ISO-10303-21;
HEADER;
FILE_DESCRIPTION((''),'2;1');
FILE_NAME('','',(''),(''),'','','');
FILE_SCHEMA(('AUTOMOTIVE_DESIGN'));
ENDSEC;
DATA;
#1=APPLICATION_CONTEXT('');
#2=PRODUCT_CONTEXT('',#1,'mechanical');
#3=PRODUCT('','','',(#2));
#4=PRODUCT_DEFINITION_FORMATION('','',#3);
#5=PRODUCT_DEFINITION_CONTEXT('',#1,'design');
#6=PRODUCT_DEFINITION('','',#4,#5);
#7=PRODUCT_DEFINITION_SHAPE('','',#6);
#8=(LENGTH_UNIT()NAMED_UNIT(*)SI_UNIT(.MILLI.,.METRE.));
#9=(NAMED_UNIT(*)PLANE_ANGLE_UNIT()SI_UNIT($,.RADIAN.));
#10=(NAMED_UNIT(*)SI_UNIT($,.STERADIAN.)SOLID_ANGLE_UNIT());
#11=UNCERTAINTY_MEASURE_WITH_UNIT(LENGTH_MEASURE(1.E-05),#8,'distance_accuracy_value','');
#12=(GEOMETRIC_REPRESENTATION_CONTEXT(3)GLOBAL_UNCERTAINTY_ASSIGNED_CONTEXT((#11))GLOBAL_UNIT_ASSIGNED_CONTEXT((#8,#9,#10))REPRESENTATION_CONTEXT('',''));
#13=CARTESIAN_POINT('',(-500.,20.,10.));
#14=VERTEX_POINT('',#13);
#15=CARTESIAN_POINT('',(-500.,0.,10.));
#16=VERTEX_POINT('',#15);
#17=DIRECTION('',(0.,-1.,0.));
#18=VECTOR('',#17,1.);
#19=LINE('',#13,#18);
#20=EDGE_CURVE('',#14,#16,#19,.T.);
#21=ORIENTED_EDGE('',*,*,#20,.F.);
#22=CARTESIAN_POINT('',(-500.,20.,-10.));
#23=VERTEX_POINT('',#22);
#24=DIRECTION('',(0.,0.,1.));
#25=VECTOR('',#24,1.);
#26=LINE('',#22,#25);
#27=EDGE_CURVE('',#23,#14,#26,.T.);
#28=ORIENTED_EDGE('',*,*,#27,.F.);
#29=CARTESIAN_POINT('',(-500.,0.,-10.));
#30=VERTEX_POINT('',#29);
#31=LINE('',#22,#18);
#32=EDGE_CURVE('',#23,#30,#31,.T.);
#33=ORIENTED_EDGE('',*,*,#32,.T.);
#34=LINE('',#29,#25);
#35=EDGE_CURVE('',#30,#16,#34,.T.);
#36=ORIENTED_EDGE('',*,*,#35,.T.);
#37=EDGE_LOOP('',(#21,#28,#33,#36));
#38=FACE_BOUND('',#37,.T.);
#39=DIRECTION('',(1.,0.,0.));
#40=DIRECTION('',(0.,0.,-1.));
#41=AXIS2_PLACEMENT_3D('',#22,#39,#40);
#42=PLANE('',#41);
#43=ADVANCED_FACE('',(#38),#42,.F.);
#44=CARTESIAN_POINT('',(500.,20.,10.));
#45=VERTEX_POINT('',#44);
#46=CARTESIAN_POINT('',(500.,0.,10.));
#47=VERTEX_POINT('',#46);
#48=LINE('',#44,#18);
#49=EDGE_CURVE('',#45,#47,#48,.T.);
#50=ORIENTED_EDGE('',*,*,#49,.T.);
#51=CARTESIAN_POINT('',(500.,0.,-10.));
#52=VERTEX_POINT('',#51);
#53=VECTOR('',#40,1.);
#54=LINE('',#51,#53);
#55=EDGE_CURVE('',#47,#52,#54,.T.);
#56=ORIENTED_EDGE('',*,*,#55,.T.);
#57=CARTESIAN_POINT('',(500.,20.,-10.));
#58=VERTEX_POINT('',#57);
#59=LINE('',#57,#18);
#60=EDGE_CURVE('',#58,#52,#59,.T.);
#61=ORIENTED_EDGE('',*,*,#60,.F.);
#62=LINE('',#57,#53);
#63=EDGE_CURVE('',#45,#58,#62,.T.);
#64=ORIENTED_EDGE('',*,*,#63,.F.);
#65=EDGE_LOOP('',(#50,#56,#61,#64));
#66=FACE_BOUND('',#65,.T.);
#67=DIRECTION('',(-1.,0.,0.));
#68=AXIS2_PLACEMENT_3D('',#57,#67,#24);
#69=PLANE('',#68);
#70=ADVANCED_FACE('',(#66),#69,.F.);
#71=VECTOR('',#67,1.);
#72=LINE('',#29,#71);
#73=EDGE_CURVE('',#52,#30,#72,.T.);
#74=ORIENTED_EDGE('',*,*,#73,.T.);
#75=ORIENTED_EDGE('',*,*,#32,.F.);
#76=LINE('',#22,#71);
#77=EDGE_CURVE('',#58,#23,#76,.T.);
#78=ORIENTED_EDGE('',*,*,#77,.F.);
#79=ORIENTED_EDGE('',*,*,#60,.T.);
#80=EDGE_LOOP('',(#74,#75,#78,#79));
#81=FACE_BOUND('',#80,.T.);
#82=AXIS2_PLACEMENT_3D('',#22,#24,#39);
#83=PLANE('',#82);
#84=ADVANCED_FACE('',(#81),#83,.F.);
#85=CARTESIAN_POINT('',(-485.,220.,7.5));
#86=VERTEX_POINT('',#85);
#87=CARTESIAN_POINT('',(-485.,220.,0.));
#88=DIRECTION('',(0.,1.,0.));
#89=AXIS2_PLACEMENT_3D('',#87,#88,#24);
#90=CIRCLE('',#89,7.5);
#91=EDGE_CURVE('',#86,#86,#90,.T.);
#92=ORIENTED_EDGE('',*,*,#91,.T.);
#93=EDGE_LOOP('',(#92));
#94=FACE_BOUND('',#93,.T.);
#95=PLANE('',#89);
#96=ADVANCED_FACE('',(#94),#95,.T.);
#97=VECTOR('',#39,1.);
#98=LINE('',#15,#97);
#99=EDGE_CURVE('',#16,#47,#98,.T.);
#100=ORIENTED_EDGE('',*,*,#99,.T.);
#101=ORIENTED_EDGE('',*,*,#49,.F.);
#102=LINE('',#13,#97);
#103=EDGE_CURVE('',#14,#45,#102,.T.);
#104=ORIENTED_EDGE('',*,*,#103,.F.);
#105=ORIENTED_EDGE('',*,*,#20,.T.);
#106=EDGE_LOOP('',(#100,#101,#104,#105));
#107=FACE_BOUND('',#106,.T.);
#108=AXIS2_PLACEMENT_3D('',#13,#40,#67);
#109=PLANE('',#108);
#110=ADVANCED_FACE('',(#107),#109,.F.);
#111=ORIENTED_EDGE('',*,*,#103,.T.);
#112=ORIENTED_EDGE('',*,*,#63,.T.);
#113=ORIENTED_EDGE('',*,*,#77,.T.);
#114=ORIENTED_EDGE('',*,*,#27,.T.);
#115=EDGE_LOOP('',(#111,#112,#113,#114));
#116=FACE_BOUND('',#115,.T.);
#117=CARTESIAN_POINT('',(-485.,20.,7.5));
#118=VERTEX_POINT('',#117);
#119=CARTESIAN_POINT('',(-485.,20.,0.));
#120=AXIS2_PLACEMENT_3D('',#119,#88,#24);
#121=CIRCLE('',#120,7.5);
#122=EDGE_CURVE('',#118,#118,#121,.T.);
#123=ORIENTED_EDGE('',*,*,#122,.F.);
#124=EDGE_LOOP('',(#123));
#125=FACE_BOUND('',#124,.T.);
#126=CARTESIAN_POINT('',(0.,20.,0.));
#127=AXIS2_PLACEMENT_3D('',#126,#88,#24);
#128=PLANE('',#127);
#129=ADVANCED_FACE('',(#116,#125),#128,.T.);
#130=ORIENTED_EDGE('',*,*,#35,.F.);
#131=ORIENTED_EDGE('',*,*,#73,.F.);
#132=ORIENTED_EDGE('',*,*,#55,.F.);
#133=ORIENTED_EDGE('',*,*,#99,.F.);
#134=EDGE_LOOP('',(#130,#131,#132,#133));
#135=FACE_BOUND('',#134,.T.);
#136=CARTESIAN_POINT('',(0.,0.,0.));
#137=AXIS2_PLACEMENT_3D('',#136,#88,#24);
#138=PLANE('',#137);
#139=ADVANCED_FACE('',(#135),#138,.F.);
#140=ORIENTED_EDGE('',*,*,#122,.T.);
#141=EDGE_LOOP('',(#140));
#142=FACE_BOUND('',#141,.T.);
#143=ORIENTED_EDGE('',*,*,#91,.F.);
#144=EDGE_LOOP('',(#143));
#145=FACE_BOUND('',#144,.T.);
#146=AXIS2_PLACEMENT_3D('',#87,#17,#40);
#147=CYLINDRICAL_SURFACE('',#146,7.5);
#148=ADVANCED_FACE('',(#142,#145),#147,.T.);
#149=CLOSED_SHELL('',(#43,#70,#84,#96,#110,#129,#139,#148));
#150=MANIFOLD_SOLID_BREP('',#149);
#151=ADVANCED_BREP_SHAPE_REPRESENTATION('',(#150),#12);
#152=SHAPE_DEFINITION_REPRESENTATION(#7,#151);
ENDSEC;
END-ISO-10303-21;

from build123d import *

# Parameters (mm, degrees)
SKETCH1_W           = 1000
SKETCH1_H           = 20
BOSS_EXTRUDE1_DEPTH = 20
SKETCH2_R           = 7.5
BOSS_EXTRUDE2_DEPTH = 200


with BuildPart() as part:
    # Sketch1 → Boss-Extrude1 (new body)
    with BuildSketch(Plane(origin=(0, 0, 0), x_dir=(1, 0, 0), z_dir=(0, 1, 0))):
        Rectangle(SKETCH1_W, SKETCH1_H)
    extrude(amount=BOSS_EXTRUDE1_DEPTH)

    # Sketch2 → Boss-Extrude2 (add)
    with BuildSketch(Plane(origin=(0, 20, 0), x_dir=(1, 0, 0), z_dir=(0, 1, 0))):
        with Locations((-485, 0)):
            Circle(SKETCH2_R)
    extrude(amount=BOSS_EXTRUDE2_DEPTH)


solid = part.part
